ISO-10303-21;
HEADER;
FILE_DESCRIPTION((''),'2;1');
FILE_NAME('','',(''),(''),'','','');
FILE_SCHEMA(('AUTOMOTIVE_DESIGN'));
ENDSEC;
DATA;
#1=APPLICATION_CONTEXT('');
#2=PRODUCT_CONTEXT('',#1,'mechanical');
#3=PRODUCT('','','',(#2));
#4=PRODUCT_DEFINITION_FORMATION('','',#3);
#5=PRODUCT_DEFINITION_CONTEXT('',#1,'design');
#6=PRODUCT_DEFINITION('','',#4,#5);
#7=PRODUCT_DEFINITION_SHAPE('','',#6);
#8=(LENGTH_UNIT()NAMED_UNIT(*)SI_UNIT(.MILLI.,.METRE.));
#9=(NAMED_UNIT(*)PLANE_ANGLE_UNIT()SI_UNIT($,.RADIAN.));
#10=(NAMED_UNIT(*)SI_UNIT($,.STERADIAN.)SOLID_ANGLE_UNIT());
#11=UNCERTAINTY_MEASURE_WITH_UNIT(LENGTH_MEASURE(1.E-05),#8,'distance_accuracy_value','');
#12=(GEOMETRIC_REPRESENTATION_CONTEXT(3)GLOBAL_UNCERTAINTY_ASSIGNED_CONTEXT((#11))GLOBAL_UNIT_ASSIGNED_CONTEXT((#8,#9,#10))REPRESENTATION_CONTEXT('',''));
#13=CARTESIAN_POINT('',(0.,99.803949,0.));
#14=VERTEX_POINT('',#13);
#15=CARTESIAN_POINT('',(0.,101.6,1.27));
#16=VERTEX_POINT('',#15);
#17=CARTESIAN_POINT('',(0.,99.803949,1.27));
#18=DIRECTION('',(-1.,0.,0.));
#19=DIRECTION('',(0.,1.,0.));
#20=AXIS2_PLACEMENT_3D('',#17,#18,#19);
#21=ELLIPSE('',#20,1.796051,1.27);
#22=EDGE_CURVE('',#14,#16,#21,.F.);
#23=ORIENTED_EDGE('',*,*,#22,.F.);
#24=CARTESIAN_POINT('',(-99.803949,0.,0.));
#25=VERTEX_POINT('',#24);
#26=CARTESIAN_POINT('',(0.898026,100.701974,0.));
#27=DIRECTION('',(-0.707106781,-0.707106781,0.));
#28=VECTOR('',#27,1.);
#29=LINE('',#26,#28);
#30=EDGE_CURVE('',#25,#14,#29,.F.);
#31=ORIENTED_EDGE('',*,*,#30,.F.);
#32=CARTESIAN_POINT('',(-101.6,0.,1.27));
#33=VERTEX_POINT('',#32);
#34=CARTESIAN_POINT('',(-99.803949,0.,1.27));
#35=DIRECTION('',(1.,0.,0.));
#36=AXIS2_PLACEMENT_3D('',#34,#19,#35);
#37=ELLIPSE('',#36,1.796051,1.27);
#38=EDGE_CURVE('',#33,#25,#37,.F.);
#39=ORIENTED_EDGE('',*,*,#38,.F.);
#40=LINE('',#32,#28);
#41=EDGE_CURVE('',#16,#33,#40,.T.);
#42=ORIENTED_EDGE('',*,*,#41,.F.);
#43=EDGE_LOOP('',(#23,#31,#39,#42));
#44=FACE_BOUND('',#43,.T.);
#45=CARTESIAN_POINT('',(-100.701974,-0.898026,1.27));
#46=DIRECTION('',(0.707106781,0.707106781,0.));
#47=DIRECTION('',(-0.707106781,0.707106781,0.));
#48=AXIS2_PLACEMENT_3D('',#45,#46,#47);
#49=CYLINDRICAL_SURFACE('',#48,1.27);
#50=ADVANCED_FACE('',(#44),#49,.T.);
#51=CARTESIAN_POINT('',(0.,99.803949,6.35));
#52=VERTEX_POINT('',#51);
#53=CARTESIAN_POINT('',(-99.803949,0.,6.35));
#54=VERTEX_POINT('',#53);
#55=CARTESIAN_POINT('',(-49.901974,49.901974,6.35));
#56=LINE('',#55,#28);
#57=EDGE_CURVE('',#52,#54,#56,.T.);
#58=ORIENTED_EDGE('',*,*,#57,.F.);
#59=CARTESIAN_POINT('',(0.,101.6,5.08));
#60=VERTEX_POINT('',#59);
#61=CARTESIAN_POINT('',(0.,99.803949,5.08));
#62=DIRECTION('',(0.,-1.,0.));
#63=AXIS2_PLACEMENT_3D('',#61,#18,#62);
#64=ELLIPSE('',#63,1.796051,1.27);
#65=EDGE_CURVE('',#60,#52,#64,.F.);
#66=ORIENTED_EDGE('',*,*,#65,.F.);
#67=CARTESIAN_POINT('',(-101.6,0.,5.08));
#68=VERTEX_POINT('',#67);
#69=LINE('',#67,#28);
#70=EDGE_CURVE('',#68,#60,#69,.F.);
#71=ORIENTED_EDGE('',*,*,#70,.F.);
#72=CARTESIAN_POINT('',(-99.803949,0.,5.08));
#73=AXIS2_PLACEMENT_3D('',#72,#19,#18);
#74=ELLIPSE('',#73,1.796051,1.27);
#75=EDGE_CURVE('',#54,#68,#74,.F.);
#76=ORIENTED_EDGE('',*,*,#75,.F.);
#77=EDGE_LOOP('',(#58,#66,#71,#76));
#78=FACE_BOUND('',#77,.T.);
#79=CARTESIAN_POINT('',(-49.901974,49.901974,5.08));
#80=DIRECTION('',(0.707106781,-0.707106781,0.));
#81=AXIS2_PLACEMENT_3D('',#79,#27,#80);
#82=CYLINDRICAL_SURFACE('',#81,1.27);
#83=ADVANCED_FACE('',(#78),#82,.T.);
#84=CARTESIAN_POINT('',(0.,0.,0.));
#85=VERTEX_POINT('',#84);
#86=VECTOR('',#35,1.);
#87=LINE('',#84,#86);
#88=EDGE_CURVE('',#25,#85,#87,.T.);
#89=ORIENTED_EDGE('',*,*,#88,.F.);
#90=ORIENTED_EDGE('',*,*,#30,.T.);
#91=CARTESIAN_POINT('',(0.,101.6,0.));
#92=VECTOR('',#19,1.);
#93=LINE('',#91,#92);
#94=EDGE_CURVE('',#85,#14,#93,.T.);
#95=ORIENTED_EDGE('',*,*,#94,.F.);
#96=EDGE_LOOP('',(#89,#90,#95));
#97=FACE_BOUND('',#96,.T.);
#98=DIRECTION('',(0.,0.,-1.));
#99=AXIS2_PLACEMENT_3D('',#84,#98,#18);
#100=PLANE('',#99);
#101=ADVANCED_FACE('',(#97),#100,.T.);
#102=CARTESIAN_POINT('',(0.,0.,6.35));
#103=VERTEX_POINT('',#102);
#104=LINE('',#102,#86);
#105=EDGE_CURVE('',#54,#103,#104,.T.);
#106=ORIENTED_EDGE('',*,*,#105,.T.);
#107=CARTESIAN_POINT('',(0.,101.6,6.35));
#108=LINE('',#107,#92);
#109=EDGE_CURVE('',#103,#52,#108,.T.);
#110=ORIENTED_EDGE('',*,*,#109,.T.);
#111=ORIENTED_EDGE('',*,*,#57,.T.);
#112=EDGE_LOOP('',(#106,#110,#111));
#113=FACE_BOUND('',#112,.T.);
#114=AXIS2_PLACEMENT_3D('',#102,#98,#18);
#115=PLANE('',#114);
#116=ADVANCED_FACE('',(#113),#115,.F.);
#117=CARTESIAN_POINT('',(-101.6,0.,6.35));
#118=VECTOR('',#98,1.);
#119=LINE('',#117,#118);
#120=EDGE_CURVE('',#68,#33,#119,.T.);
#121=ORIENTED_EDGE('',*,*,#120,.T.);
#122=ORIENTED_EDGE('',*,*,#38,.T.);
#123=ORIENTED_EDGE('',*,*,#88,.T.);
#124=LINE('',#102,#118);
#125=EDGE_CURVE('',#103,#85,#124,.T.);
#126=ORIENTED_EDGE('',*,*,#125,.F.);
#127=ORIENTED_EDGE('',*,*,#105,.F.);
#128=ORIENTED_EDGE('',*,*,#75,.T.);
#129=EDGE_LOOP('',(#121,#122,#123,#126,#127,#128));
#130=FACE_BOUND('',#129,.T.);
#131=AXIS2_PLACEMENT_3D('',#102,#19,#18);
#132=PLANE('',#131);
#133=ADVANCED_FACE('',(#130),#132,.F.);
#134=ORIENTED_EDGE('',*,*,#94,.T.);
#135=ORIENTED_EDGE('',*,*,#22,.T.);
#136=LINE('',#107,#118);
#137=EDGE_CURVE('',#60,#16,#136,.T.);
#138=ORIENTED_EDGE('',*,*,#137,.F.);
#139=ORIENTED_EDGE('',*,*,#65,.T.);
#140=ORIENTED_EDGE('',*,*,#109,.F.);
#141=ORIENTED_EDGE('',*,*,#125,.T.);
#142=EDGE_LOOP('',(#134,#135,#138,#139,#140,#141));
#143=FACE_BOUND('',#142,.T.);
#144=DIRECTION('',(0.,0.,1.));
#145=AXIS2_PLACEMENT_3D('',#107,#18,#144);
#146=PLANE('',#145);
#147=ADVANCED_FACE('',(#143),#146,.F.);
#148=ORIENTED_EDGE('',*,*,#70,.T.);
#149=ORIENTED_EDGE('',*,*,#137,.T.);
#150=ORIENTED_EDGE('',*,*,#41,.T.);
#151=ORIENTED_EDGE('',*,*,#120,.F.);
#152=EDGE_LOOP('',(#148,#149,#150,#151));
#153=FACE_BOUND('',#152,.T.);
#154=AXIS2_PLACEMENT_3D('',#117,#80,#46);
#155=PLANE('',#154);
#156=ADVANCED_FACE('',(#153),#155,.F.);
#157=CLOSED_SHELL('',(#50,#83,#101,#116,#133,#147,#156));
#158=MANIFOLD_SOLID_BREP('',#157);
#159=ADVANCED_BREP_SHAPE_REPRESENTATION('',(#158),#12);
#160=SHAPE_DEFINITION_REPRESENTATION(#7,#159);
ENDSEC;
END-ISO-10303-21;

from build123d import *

# Parameters (mm, degrees)
BOSS_EXTRUDE1_DEPTH = 6.35
FILLET2_R           = 1.27
FILLET3_R           = 1.27


with BuildPart() as part:
    # Sketch1 → Boss-Extrude1 (new body)
    with BuildSketch(Plane.XY):
        Polygon((0, 0), (-101.6, 0), (0, 101.6), align=None)
    extrude(amount=BOSS_EXTRUDE1_DEPTH)

    # Fillet2
    fillet2_edges = [part.edges().sort_by_distance(p)[0] for p in [
        (-50.8, 50.8, 6.35),
    ]]
    fillet(fillet2_edges, radius=FILLET2_R)

    # Fillet3
    fillet3_edges = [part.edges().sort_by_distance(p)[0] for p in [
        (-50.8, 50.8, 0),
    ]]
    fillet(fillet3_edges, radius=FILLET3_R)


solid = part.part
